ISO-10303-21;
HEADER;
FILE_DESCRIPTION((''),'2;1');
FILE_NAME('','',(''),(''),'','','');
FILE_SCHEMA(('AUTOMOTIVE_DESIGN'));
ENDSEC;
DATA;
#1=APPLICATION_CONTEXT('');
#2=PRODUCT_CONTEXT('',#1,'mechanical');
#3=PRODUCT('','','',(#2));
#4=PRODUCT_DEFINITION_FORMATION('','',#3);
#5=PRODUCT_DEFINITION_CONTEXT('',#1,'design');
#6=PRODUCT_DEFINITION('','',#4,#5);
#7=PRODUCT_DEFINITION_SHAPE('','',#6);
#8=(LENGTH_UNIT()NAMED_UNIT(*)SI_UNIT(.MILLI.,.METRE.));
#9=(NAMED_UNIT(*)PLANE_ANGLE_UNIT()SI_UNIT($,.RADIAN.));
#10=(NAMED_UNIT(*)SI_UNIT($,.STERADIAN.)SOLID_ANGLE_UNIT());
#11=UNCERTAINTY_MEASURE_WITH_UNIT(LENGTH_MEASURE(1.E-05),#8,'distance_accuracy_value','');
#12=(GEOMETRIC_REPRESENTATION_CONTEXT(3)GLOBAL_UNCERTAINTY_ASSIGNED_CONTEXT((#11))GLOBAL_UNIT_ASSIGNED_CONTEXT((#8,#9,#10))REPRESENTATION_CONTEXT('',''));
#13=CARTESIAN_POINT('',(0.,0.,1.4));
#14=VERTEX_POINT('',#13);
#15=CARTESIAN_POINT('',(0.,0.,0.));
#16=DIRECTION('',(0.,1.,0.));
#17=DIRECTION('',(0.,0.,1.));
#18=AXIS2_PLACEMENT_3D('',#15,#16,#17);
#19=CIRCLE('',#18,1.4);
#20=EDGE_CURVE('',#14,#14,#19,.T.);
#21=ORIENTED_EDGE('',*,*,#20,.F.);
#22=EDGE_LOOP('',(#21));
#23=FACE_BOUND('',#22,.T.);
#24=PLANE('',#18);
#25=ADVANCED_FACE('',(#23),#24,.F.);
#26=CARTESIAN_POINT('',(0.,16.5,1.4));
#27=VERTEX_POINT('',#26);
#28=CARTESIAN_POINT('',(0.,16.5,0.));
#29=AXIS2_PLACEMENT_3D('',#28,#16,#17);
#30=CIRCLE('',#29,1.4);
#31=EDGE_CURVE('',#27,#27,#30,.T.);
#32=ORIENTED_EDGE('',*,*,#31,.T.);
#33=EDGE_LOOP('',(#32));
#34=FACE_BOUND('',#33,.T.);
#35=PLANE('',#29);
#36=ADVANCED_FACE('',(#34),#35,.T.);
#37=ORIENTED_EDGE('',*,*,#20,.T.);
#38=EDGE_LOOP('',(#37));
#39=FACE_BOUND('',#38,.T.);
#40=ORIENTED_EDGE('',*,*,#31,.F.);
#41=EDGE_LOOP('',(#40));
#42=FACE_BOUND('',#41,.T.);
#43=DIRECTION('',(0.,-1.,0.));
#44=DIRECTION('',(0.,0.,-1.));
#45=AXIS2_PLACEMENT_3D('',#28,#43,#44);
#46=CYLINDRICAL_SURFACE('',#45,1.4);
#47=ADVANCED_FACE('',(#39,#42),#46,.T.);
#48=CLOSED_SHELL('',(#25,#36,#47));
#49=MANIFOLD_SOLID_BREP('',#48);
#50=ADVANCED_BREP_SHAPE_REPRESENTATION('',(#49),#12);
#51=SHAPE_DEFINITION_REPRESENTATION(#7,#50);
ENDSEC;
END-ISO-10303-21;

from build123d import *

# Parameters (mm, degrees)
SKETCH_1_R      = 1.4
EXTRUDE_1_DEPTH = 16.5


with BuildPart() as part:
    # 草图1 → 凸台-拉伸1 (new body)
    with BuildSketch(Plane(origin=(0, 0, 0), x_dir=(1, 0, 0), z_dir=(0, 1, 0))):
        with Locations(Location((0, 0, 0), (0, 0, 270))):
            Circle(SKETCH_1_R)
    extrude(amount=EXTRUDE_1_DEPTH)


solid = part.part
